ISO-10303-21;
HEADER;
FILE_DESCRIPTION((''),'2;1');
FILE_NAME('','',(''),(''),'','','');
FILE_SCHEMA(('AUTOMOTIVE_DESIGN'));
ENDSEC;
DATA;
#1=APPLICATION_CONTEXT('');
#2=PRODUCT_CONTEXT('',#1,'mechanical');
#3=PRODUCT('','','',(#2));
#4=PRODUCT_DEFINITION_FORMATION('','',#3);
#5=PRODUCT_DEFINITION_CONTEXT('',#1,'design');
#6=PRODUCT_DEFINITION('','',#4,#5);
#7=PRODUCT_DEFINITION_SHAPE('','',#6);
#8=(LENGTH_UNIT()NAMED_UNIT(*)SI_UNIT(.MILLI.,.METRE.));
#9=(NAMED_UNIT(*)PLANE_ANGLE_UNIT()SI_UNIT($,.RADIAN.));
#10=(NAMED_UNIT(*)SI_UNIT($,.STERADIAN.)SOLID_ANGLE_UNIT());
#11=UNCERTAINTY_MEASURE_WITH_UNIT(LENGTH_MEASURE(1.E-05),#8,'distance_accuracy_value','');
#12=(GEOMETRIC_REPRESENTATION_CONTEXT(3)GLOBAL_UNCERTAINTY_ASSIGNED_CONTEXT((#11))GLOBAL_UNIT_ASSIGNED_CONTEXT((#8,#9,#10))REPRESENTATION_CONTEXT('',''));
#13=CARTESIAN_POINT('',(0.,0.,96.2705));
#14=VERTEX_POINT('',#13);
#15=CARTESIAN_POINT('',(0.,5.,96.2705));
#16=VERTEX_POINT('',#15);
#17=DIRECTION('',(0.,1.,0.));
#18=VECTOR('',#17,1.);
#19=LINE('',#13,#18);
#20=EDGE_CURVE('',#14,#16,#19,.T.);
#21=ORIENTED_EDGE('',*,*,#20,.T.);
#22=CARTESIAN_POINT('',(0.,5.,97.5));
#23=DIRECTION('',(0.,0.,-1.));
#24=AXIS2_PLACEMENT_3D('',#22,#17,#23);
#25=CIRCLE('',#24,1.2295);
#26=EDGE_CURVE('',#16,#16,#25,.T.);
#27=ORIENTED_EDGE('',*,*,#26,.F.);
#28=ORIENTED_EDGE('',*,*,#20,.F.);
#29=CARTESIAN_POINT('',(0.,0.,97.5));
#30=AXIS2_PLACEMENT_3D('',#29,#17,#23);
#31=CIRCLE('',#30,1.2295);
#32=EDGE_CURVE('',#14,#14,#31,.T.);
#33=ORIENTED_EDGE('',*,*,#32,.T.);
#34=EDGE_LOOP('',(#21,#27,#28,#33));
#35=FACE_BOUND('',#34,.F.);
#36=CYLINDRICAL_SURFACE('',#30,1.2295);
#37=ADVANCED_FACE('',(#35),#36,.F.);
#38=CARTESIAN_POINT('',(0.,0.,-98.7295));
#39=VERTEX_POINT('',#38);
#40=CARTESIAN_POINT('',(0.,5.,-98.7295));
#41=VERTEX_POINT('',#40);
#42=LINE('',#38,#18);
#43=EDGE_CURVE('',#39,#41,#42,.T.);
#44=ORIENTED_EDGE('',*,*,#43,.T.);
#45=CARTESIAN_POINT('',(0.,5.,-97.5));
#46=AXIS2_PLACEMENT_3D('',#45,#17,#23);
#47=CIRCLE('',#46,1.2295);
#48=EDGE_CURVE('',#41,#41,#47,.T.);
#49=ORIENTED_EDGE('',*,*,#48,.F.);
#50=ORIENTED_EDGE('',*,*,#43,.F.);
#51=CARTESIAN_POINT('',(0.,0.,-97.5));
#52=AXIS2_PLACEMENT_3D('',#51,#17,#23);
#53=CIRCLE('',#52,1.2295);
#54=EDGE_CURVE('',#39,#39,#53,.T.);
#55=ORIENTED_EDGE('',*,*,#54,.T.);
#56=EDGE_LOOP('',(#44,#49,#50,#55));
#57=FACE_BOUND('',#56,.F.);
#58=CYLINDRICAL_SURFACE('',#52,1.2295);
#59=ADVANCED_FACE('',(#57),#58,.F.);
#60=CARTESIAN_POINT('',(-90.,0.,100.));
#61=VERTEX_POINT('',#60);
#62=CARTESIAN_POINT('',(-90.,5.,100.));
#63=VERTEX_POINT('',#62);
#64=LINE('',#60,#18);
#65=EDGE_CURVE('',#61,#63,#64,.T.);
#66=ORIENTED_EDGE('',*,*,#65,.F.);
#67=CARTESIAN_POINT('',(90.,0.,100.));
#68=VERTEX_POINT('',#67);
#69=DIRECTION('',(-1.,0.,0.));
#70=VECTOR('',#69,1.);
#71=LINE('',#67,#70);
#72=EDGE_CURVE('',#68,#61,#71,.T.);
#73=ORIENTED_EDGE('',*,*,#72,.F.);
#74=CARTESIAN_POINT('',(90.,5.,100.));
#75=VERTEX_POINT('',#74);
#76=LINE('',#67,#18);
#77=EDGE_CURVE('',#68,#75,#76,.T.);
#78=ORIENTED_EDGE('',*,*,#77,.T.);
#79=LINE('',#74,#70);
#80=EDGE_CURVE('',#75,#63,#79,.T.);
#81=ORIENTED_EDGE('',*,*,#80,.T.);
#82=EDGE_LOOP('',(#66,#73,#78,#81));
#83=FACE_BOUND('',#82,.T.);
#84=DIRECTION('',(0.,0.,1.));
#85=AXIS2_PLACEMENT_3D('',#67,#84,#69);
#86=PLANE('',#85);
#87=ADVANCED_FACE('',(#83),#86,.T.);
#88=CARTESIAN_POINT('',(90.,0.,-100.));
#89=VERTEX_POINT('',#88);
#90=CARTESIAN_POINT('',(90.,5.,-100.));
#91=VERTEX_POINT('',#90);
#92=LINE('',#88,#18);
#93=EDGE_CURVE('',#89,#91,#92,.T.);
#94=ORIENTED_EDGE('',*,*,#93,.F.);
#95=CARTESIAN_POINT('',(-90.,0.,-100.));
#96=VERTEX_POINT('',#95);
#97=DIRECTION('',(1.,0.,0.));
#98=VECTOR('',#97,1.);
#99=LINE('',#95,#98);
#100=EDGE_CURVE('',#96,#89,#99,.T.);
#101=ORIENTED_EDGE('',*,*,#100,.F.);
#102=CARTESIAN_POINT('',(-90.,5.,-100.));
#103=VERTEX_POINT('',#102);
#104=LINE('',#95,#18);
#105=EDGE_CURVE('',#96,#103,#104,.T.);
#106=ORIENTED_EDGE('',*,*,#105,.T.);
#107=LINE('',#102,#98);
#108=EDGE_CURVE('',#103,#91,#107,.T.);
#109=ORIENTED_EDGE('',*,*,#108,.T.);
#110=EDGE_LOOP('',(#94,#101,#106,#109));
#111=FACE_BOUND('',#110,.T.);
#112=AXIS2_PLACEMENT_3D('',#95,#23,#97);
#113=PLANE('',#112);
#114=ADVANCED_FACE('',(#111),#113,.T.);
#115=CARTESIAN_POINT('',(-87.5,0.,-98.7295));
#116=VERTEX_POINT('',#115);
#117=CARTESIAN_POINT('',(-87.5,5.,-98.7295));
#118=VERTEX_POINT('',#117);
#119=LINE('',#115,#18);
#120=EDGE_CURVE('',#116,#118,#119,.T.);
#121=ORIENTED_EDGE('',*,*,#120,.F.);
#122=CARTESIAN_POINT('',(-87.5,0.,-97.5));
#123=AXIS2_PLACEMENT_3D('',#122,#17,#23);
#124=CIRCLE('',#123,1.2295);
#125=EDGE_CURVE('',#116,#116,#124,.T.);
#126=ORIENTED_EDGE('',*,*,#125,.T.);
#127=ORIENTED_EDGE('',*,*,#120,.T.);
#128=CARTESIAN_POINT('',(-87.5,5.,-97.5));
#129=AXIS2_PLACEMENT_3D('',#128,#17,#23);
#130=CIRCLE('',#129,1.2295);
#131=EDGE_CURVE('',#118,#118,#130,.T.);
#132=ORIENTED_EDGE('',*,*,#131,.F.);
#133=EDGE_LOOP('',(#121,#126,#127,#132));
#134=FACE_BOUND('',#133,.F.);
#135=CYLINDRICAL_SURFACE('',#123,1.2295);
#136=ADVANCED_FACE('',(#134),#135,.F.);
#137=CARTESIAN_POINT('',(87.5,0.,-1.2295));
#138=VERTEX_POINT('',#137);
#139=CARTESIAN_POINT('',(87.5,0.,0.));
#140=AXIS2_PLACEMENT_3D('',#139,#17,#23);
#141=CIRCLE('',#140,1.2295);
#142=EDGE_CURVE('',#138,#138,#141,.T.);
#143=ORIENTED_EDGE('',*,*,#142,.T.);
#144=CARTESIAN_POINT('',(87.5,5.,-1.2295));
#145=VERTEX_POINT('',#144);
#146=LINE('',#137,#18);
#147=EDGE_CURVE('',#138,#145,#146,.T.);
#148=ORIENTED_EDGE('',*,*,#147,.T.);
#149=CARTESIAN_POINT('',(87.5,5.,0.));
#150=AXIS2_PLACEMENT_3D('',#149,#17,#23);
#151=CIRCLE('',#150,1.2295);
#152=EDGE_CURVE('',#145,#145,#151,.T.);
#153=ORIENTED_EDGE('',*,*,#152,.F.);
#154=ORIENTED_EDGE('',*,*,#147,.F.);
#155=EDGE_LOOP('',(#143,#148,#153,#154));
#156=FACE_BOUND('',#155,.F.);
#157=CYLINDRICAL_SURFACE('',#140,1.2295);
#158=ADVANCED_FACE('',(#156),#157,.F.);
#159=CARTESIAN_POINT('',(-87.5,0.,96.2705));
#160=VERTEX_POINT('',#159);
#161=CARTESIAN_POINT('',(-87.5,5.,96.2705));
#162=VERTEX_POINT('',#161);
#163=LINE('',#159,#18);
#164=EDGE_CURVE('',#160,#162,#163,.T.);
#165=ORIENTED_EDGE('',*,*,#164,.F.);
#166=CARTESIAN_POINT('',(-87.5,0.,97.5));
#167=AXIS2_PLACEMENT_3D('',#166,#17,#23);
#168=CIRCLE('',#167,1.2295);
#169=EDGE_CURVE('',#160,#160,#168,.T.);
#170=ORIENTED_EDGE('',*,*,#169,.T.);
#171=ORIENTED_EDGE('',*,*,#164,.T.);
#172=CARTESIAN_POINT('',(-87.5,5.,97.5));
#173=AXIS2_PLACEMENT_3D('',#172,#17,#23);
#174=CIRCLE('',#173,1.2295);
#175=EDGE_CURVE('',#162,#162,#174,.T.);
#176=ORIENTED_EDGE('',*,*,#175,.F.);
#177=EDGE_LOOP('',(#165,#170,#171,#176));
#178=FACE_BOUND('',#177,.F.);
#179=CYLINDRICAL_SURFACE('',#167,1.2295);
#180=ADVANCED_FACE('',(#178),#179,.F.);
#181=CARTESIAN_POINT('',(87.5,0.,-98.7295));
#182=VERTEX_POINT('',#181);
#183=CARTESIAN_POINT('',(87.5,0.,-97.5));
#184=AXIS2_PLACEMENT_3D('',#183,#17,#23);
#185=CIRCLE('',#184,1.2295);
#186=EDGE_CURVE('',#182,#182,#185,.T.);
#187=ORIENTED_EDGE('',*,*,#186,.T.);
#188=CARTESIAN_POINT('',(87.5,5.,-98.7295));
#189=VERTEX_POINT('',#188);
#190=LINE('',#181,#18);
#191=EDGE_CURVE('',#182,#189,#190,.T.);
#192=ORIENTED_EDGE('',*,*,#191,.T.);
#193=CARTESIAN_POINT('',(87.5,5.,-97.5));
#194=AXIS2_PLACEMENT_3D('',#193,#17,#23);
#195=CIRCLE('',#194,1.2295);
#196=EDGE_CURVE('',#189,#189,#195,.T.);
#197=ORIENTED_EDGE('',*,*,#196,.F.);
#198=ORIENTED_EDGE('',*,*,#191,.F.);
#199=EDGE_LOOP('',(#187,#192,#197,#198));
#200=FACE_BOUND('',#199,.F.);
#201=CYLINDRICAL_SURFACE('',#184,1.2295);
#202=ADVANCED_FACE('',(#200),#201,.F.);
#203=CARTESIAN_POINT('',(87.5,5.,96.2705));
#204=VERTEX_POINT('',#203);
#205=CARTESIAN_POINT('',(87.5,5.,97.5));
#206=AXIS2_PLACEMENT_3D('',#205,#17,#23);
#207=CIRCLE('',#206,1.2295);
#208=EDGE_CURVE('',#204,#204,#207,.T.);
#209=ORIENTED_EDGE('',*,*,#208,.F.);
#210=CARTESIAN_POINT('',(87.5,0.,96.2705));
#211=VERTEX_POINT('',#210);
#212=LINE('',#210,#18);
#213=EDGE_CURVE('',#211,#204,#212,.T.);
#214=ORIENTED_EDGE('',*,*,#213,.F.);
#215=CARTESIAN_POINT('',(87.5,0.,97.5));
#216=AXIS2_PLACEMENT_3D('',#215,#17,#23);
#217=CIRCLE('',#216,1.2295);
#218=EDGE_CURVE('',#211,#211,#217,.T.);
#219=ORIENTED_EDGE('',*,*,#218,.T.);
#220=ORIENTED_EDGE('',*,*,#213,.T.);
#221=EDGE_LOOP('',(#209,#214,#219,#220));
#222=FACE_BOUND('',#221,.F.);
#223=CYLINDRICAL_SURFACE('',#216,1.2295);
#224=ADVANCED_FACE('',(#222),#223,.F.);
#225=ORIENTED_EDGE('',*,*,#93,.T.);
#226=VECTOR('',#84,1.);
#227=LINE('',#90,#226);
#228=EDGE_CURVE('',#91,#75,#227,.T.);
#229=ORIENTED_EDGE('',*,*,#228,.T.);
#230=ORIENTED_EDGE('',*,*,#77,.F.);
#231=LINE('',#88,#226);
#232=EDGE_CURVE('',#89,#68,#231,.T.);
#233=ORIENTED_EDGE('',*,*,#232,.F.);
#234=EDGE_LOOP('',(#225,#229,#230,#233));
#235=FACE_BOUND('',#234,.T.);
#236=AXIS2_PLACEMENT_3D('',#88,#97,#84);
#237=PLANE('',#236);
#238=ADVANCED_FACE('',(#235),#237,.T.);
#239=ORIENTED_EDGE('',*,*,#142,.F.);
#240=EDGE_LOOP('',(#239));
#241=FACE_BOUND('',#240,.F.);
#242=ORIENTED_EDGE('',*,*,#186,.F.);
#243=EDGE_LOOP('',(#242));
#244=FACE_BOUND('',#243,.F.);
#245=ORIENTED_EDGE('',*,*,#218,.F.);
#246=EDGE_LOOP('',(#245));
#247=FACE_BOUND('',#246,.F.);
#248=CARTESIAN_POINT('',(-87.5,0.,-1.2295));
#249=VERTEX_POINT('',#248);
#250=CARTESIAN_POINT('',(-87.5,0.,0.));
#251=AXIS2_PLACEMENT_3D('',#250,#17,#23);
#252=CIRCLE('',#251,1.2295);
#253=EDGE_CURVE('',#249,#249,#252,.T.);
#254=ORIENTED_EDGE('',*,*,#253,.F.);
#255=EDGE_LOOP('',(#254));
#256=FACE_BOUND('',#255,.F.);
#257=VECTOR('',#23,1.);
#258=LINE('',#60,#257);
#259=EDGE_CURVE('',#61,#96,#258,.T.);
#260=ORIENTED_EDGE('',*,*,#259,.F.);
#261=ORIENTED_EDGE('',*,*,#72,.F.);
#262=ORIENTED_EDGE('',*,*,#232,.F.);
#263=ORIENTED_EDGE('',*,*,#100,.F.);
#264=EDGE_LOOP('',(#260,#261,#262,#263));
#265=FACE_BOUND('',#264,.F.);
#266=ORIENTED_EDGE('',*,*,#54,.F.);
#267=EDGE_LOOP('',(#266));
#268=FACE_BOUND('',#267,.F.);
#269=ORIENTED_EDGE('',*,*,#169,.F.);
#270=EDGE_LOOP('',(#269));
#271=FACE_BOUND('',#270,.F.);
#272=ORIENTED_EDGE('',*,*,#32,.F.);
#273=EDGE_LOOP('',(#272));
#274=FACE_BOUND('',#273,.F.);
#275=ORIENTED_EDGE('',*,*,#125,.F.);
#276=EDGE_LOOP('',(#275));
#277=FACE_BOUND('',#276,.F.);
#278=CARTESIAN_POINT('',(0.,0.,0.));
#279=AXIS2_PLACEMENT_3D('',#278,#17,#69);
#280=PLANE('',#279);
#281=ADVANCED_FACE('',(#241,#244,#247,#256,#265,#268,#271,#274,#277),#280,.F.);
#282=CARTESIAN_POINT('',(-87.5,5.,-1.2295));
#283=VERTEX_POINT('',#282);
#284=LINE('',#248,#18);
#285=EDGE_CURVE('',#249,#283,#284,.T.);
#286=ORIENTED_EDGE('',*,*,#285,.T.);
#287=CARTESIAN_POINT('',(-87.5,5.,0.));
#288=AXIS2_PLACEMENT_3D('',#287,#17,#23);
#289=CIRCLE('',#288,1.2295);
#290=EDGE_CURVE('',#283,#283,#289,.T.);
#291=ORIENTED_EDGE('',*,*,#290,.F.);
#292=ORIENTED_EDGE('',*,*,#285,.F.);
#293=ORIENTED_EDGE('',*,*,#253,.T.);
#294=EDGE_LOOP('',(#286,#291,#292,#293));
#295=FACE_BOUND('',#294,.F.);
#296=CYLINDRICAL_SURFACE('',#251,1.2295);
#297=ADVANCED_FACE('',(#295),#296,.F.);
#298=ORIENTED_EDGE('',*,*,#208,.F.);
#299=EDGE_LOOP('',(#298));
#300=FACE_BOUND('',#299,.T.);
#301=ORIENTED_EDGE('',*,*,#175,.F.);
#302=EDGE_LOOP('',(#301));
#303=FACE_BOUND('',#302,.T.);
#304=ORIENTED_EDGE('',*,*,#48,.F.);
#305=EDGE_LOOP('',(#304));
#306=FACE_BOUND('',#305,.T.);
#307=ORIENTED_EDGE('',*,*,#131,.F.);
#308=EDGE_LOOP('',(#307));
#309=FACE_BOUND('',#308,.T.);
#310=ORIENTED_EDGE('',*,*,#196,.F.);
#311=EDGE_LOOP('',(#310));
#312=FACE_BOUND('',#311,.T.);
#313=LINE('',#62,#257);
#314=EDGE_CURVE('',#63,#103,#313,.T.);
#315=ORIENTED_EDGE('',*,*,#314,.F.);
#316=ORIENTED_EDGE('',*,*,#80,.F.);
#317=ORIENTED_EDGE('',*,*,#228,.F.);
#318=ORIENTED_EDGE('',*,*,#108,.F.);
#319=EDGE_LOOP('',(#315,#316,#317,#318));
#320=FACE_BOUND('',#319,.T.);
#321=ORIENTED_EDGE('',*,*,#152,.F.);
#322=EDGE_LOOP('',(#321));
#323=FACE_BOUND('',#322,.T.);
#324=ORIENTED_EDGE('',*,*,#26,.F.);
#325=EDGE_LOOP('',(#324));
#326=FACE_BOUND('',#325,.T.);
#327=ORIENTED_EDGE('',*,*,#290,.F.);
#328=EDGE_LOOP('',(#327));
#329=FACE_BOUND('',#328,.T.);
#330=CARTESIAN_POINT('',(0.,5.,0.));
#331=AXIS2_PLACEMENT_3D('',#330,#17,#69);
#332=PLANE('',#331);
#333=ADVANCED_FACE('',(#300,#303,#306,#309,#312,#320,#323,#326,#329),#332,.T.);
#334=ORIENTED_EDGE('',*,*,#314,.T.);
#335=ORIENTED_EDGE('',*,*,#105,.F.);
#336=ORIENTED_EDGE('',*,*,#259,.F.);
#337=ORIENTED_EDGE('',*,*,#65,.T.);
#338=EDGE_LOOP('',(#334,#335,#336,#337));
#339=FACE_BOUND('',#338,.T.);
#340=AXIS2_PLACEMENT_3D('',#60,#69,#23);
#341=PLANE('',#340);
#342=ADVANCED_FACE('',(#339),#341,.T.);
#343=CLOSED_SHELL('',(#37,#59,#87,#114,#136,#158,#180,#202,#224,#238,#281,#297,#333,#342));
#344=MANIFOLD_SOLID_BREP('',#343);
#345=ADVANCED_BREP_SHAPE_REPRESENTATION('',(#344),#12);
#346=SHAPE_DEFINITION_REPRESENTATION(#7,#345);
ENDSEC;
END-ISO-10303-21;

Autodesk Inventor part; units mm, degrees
ref_plane "YZ Plane" through (0, 0, 0) normal (1, 0, 0) x (0, 1, 0)
ref_plane "XZ Plane" through (0, 0, 0) normal (0, 1, 0) x (-1, 0, 0)
ref_plane "XY Plane" through (0, 0, 0) normal (0, 0, 1) x (1, 0, 0)
sketch "Esquisse1" plane through (0, 0, 0) normal (0, 1, 0) x (-1, 0, 0)
  line L0 (90, -100) -> (-90, -100)
  line L1 (-90, -100) -> (-90, 100)
  line L2 (-90, 100) -> (90, 100)
  line L3 (90, 100) -> (90, -100)
  line L4 (90, -100) -> (-90, 100) construction
  line L5 (-90, -100) -> (90, 100) construction
  point P0 (0, 0)
  dimension "d0" = 180
  dimension "d1" = 200
extrude "Extrusion1" add sketch "Esquisse1" along normal blind 5
sketch "Esquisse3" plane through (0, 0, 0) normal (0, -1, 0) x (1, 0, 0)
  line L0 (0, 0) -> (87.5, 0)
  line L1 (87.5, 0) -> (87.5, -97.5)
  line L2 (0, 28.6272) -> (0, -29.3855)
  point P0 (87.5, 97.5)
  point P1 (-87.5, -97.5)
  point P2 (-87.5, 97.5)
  dimension "d18" = 87.5
  dimension "d19" = 97.5
hole "Perçage2" at (87.5, 0, -97.5) at (87.5, 0, 97.5) at (-87.5, 0, -97.5) at (-87.5, 0, 97.5) direction (0, 1, 0) diameter 2.459 end through all thread size "M3x0.5" class "6H" standard "ISO Metric profile"
sketch "Esquisse4" plane through (0, 0, 0) normal (0, -1, 0) x (1, 0, 0)
  line L0 (0, 0) -> (0, 97.5)
  line L1 (0, 0) -> (87.5, 0)
  point P0 (0, -97.5)
  point P1 (-87.5, 0)
  dimension "d27" = 97.5
  dimension "d28" = 87.5
hole "Perçage3" at (87.5, 0, 0) at (0, 0, 97.5) at (0, 0, -97.5) at (-87.5, 0, 0) direction (0, 1, 0) diameter 2.459 end through all thread size "M3x0.5" class "6H" standard "ISO Metric profile"
properties part number "chassis_bas"
